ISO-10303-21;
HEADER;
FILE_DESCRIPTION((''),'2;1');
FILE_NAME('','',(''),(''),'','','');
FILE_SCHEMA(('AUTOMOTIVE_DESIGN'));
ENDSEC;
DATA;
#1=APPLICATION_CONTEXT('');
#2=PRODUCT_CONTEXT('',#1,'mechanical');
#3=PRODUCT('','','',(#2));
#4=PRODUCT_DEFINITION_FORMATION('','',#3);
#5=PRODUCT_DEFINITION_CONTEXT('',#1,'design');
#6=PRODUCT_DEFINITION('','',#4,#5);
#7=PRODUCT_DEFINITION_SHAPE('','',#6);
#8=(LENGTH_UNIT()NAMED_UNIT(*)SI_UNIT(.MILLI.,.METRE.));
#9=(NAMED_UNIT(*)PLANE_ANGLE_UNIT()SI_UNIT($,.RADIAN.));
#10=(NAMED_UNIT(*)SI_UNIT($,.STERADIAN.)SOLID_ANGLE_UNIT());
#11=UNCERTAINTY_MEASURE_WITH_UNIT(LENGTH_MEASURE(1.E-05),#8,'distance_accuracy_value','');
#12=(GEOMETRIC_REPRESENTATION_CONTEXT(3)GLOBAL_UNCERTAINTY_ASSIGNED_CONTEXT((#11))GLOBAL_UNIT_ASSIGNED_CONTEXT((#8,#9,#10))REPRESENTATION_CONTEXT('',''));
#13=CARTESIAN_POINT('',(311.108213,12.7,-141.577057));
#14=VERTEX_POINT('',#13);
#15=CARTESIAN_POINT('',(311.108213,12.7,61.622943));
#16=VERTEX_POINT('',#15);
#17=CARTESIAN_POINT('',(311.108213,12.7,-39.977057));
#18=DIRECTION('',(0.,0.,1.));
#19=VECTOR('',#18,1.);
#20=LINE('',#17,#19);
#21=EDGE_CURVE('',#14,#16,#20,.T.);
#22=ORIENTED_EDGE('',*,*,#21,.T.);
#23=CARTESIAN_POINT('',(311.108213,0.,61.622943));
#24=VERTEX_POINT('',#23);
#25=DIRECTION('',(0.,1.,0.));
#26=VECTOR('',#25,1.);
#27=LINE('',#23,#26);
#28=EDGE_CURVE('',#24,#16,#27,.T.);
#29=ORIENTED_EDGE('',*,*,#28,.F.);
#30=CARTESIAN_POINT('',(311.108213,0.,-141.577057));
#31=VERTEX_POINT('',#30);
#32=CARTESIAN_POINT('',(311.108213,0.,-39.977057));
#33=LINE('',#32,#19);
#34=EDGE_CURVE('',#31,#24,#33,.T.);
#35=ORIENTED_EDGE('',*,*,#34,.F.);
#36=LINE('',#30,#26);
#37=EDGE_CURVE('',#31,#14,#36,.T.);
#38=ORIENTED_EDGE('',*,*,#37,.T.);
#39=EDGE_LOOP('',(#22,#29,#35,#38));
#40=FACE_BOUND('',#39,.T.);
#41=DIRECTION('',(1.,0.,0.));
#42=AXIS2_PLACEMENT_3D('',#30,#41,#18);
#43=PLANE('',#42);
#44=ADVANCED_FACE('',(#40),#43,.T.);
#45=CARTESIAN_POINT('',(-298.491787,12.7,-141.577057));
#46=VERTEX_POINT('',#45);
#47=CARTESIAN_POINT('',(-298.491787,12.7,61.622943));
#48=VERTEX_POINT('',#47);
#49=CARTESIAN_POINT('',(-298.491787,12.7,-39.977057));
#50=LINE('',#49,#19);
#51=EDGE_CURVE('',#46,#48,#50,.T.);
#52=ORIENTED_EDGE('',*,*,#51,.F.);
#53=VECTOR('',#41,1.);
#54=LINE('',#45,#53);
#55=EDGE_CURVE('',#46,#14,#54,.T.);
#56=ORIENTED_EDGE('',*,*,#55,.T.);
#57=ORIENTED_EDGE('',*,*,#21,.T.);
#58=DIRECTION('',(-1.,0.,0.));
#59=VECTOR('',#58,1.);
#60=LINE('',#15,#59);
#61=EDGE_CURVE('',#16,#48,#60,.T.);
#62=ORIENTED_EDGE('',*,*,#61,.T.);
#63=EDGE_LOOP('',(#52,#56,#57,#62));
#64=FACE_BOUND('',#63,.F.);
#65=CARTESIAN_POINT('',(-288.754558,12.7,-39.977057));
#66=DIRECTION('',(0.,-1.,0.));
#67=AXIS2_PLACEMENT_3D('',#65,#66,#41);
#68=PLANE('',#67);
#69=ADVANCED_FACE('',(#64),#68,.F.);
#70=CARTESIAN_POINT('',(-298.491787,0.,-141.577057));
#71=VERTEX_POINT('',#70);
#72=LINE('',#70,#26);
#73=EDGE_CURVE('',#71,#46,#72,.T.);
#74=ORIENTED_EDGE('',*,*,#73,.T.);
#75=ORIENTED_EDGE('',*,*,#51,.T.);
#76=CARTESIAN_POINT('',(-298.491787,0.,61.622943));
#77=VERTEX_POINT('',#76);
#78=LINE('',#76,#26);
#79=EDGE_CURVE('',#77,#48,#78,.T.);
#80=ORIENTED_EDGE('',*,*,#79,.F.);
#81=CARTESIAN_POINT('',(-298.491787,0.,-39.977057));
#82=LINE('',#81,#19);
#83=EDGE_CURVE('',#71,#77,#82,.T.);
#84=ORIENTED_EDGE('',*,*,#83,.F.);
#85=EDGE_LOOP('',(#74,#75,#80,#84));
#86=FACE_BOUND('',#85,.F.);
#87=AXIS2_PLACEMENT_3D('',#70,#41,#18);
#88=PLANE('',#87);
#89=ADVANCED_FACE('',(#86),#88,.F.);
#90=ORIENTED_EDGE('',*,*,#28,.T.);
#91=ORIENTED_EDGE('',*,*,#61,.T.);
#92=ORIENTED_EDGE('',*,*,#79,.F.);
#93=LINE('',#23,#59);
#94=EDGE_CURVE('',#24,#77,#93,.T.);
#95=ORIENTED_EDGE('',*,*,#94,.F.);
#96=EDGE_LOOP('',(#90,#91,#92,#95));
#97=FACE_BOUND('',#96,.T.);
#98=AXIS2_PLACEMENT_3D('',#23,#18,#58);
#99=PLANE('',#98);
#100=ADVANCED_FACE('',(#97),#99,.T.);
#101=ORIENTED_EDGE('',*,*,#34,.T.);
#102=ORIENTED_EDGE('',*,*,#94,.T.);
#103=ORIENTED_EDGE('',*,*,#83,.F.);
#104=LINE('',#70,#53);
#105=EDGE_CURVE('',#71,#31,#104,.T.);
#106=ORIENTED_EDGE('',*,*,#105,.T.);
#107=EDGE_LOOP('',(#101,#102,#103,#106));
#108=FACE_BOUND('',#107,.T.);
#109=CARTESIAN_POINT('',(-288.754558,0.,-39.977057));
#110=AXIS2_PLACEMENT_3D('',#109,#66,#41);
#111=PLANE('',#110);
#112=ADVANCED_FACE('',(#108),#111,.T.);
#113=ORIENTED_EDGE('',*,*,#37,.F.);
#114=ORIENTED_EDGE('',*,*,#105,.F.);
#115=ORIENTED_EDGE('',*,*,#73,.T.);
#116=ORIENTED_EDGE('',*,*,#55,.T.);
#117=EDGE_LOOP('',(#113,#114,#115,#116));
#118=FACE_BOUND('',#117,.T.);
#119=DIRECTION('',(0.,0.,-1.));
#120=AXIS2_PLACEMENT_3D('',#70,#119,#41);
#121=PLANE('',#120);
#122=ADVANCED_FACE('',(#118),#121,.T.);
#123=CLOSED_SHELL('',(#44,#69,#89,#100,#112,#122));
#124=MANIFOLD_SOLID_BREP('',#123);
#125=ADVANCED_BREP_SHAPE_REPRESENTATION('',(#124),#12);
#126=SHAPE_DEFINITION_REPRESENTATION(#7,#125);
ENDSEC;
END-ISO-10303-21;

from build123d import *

# Parameters (mm, degrees)
F0_W     = 19.4744579077
F0_H     = 203.2
F0_W_2   = 577.4255420923
F0_W_3   = 12.7
F1_DEPTH = 12.7


with BuildPart() as f1:
    # F0 (on Front) → F1 (new body)
    with BuildSketch(Plane.XZ):
        with Locations((-288.7545581698, -39.9770570773)):
            Rectangle(F0_W, F0_H)
        with Locations((9.6954418302, -39.9770570773)):
            Rectangle(F0_W_2, F0_H)
        with Locations((304.7582128763, -39.9770570773)):
            Rectangle(F0_W_3, F0_H)
    extrude(amount=-F1_DEPTH)


solid = f1.part
